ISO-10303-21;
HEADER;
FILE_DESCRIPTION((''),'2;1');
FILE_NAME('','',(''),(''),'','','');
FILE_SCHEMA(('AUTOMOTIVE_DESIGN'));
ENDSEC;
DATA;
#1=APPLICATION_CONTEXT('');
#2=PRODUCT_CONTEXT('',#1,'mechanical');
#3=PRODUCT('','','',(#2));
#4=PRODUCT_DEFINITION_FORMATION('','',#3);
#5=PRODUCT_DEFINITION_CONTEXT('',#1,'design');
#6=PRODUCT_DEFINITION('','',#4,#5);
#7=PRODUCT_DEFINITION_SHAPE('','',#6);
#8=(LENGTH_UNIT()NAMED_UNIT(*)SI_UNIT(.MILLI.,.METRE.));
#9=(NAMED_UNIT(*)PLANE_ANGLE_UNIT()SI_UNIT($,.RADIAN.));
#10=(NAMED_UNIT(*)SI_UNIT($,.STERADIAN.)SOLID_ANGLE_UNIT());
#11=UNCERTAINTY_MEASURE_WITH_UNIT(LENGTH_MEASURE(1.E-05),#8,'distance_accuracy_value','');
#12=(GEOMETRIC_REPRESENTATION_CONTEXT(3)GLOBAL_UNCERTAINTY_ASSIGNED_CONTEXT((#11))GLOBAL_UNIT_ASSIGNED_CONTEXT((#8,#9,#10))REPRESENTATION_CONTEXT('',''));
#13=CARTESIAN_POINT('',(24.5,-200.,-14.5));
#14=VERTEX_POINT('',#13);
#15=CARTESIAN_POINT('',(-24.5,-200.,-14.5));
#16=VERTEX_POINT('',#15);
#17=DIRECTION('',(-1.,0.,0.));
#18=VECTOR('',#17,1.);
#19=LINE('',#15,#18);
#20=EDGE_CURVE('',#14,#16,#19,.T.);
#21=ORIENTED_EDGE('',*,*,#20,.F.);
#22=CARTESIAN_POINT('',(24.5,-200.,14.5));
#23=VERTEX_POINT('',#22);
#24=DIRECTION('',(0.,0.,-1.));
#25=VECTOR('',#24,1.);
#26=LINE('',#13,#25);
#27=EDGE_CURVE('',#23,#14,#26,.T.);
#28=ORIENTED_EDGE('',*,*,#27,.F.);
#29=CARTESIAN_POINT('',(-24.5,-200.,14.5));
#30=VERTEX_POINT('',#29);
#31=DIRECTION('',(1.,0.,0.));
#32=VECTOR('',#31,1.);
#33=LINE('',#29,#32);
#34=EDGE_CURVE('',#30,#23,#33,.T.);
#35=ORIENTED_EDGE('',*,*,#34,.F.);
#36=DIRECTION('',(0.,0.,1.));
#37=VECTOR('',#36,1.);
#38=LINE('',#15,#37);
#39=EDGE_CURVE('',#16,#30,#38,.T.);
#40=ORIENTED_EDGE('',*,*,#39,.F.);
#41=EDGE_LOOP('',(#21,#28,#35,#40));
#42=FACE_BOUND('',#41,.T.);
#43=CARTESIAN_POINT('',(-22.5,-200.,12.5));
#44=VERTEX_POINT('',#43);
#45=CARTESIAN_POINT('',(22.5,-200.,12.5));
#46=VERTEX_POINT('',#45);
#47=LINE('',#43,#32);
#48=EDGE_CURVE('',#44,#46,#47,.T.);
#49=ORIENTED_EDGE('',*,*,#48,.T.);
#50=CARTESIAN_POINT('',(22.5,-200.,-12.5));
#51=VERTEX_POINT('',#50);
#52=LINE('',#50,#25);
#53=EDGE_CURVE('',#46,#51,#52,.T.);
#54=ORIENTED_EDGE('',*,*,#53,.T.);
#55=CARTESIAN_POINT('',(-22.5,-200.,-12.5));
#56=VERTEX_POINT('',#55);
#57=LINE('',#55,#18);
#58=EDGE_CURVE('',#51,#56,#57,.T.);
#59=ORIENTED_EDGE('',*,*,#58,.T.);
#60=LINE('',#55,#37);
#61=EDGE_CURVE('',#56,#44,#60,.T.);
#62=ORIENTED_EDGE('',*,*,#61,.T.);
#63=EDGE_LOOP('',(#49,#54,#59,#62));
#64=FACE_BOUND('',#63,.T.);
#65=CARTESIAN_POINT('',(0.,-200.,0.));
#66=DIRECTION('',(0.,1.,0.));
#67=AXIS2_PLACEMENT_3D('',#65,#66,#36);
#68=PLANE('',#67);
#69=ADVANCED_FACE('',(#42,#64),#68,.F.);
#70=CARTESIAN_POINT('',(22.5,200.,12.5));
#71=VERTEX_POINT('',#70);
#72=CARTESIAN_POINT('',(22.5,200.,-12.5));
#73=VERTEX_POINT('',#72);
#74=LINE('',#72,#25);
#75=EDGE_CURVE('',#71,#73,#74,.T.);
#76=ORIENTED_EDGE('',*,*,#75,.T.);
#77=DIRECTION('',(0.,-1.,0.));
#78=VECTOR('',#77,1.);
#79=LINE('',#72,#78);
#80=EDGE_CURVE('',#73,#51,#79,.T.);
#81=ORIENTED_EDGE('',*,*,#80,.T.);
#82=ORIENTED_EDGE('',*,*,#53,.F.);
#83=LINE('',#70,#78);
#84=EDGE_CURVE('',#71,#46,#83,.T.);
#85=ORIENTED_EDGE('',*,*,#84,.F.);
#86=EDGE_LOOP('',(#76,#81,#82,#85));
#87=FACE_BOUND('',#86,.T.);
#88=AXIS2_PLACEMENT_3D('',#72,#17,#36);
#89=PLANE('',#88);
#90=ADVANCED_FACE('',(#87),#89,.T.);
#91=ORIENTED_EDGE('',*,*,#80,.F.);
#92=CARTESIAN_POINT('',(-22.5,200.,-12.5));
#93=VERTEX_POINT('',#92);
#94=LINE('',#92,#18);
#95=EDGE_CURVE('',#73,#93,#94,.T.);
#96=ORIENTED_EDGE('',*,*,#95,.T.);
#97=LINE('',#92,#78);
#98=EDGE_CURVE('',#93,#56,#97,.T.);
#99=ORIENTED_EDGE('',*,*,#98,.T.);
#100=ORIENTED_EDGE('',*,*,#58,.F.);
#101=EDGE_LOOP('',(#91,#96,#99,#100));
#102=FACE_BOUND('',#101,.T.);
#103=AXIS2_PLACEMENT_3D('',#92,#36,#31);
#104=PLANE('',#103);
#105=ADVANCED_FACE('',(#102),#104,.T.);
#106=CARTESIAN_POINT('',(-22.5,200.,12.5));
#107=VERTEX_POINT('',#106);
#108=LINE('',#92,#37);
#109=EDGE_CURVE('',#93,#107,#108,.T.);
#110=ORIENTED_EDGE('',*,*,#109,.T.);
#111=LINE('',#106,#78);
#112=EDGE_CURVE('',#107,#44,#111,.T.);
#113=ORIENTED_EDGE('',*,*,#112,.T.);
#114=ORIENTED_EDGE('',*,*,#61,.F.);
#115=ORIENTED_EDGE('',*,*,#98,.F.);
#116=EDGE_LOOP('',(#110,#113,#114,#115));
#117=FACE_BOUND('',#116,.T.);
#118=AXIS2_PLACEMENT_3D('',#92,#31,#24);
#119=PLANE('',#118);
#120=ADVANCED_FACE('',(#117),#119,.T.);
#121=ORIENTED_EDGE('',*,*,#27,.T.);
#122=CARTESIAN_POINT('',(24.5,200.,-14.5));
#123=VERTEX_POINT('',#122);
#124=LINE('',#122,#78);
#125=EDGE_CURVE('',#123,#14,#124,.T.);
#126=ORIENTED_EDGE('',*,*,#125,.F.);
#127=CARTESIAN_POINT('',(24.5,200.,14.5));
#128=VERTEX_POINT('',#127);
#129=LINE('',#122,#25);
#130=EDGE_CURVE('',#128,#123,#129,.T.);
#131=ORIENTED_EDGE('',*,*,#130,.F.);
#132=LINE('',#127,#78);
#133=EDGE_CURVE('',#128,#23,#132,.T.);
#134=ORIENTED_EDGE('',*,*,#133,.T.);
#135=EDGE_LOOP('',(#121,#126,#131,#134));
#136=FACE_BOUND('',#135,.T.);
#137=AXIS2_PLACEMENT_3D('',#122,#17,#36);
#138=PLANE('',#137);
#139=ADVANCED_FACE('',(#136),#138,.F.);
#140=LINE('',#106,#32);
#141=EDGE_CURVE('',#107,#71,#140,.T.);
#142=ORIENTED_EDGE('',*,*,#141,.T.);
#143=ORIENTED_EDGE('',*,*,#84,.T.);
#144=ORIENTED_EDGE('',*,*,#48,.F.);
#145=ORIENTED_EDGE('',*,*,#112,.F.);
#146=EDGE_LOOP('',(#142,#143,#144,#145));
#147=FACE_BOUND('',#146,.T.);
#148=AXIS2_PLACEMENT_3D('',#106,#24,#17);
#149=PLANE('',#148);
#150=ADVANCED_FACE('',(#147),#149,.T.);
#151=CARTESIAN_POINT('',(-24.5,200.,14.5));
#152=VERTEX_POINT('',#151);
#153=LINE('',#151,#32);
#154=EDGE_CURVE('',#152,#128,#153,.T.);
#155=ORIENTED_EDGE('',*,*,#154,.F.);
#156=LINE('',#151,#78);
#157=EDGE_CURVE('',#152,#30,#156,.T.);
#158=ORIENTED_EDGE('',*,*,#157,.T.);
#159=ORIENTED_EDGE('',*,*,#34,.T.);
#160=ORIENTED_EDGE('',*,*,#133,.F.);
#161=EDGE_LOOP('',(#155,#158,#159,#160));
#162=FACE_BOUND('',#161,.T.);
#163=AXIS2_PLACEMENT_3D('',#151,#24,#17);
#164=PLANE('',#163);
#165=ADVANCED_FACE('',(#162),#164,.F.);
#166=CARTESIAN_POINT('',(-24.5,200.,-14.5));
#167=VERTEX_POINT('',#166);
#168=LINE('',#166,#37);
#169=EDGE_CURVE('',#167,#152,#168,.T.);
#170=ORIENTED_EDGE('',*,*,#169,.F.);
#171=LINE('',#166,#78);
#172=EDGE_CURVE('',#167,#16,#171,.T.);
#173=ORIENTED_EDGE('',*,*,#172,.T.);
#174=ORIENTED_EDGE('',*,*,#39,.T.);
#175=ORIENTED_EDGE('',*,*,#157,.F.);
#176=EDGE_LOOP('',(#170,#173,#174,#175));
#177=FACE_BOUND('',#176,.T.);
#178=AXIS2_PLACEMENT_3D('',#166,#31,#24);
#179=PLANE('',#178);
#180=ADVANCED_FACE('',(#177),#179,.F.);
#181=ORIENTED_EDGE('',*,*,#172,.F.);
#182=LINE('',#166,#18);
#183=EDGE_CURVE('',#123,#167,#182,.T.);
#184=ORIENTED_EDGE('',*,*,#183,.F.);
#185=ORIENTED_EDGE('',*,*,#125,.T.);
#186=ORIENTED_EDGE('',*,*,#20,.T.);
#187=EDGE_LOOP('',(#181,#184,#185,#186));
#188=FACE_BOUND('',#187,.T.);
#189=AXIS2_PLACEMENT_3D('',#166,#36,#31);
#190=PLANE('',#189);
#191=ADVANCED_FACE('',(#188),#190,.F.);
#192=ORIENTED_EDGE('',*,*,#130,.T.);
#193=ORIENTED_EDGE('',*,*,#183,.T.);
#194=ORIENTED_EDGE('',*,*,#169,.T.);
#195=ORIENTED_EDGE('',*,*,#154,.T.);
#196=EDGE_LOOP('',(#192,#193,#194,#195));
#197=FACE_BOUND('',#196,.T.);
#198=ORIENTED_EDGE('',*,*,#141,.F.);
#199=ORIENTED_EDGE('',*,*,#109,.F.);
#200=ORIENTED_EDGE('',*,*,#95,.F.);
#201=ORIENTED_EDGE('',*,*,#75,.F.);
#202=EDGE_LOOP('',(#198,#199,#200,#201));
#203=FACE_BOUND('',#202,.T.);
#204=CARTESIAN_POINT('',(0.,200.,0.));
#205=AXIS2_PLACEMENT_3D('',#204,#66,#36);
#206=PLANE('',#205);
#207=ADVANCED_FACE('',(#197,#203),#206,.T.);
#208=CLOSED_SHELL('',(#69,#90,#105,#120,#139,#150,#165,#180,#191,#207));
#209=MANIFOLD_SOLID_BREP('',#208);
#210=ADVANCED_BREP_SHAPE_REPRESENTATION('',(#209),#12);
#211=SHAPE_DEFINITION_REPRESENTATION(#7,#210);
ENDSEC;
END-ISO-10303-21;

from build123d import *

# Parameters (mm, degrees)
CROQUIS2_W              = 49
CROQUIS2_H              = 29
CROQUIS2_W_2            = 45
CROQUIS2_H_2            = 25
SALIENTE_EXTRUIR2_DEPTH = 200


with BuildPart() as part:
    # Croquis2 → Saliente-Extruir2 (new body, symmetric)
    with BuildSketch(Plane(origin=(0, 0, 0), x_dir=(1, 0, 0), z_dir=(0, 1, 0))):
        Rectangle(CROQUIS2_W, CROQUIS2_H)
        Rectangle(CROQUIS2_W_2, CROQUIS2_H_2, mode=Mode.SUBTRACT)
    extrude(amount=SALIENTE_EXTRUIR2_DEPTH, both=True)


solid = part.part
